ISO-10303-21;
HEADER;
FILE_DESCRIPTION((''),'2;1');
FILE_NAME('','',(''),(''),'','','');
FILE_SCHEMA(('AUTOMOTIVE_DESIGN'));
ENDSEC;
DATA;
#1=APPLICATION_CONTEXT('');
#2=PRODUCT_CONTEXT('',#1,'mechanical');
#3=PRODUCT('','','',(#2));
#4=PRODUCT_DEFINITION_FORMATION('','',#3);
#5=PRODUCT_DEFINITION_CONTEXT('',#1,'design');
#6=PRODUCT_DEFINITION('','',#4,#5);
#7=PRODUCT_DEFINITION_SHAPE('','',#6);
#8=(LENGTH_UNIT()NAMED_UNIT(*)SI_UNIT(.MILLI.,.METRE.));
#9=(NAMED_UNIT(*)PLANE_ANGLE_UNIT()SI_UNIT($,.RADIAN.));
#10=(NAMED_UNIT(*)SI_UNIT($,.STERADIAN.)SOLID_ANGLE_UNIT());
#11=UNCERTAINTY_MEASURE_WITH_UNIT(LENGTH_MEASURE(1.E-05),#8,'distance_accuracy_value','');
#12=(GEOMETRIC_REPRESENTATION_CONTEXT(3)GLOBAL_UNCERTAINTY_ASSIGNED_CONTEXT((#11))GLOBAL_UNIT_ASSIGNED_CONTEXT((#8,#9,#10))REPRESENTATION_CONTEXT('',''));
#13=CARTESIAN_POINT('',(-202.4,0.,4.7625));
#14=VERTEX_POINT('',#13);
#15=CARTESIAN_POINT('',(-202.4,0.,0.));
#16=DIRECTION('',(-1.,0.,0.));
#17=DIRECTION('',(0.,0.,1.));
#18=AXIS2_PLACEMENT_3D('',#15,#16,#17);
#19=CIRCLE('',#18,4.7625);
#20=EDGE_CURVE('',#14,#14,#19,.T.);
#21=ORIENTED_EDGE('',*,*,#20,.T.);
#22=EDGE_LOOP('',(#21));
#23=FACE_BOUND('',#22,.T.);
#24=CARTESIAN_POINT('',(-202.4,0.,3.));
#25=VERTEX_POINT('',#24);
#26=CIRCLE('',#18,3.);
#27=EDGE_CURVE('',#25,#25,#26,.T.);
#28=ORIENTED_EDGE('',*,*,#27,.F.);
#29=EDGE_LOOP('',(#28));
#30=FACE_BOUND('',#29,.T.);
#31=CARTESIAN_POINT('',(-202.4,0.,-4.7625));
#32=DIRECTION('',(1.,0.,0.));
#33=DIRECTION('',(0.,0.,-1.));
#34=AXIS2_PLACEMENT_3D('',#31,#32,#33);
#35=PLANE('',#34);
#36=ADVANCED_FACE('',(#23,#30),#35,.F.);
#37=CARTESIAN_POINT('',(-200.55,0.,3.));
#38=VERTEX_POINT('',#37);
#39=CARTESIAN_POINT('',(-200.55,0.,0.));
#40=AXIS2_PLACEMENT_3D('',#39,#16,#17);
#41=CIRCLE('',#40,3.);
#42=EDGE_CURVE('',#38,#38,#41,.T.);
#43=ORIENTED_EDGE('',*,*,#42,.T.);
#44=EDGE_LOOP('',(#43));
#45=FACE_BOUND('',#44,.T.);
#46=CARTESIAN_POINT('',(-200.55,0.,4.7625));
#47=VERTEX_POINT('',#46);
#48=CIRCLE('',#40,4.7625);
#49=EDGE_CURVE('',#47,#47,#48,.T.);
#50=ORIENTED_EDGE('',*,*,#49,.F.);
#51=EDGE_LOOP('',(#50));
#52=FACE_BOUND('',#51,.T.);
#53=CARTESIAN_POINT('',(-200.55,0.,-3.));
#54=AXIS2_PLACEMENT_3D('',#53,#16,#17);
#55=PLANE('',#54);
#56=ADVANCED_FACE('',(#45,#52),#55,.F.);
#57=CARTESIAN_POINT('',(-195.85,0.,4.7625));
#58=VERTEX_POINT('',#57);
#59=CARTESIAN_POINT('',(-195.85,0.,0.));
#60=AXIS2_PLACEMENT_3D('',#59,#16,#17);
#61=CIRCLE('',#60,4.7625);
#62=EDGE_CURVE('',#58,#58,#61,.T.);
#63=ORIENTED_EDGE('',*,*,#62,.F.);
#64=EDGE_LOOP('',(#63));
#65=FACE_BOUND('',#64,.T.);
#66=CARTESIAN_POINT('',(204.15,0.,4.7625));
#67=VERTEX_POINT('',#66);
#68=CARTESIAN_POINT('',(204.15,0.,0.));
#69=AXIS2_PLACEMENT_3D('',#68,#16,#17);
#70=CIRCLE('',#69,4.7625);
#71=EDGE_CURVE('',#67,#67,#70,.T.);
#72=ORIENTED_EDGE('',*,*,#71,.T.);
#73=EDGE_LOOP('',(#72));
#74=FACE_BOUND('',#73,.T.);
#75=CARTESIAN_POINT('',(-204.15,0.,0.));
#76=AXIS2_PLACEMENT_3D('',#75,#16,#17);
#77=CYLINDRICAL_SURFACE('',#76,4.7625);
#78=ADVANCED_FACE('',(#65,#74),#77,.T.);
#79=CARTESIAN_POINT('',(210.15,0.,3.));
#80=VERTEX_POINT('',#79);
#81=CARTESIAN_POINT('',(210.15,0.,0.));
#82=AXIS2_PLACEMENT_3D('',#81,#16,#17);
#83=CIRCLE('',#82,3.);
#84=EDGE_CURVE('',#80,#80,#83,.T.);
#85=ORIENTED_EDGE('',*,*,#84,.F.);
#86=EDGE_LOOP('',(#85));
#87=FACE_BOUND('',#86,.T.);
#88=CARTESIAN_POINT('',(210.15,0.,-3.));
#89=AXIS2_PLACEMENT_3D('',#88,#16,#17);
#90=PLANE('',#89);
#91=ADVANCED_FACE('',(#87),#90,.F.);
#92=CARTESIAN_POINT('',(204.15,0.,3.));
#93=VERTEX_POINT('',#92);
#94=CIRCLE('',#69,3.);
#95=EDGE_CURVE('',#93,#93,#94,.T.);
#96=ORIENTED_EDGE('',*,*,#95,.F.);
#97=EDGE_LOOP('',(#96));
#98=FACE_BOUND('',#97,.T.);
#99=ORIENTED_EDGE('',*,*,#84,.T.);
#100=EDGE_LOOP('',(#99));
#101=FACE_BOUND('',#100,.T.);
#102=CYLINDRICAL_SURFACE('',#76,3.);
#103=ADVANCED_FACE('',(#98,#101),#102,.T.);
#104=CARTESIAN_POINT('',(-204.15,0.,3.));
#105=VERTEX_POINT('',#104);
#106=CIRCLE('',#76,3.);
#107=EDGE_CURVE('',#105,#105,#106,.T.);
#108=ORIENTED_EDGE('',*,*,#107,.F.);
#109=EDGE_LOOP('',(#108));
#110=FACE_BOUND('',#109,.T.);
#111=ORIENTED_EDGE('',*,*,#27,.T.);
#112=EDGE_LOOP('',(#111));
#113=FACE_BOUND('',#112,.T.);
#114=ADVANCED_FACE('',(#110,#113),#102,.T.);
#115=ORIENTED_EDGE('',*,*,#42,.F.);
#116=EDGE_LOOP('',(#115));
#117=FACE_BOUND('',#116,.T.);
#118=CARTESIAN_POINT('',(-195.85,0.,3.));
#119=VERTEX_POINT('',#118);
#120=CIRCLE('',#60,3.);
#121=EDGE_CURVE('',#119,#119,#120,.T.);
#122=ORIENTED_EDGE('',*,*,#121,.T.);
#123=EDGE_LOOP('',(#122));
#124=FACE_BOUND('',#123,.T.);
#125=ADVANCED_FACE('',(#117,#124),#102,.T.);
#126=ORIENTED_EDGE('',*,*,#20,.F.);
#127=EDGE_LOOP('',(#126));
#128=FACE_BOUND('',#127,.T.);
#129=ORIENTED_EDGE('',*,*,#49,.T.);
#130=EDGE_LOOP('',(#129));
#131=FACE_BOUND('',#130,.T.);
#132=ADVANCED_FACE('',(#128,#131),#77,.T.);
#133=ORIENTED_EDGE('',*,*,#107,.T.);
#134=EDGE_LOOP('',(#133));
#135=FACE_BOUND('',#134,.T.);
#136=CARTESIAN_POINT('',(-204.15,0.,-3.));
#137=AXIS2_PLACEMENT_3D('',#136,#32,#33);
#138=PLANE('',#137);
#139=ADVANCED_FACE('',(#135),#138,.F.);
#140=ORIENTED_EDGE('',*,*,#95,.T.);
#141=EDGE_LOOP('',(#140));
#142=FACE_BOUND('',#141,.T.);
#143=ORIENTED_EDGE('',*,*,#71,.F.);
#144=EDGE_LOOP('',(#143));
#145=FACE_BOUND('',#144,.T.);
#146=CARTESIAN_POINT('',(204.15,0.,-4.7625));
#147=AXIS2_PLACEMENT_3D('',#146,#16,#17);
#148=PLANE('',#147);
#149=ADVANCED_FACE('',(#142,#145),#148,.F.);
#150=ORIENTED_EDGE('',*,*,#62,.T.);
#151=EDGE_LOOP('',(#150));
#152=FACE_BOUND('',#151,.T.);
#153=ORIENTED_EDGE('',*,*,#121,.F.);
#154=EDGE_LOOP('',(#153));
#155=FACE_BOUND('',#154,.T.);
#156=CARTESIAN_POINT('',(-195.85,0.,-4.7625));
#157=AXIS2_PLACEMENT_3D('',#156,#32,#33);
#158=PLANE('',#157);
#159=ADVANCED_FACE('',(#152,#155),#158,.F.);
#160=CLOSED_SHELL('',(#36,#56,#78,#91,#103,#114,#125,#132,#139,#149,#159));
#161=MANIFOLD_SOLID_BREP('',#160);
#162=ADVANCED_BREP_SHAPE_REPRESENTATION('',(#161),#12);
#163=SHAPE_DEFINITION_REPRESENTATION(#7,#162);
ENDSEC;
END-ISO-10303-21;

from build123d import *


with BuildPart() as part:
    # Croquis1 → Revolución1 (revolve)
    with BuildSketch(Plane(origin=(0, 0, 0), x_dir=(1, 0, 0), z_dir=(0, 1, 0)), mode=Mode.PRIVATE) as revoluci_n1_sk:
        Polygon((-195.85, 4.7625), (-195.85, 3), (-200.55, 3), (-200.55, 4.7625), (-202.4, 4.7625), (-202.4, 3), (-204.15, 3), (-204.15, 0), (210.15, 0), (210.15, 3), (204.15, 3), (204.15, 4.7625), align=None)
    revolve(revoluci_n1_sk.sketch.rotate(Axis((-204.15, 0, 0), (1, 0, 0)), 180), axis=Axis((-204.15, 0, 0), (1, 0, 0)))


solid = part.part
